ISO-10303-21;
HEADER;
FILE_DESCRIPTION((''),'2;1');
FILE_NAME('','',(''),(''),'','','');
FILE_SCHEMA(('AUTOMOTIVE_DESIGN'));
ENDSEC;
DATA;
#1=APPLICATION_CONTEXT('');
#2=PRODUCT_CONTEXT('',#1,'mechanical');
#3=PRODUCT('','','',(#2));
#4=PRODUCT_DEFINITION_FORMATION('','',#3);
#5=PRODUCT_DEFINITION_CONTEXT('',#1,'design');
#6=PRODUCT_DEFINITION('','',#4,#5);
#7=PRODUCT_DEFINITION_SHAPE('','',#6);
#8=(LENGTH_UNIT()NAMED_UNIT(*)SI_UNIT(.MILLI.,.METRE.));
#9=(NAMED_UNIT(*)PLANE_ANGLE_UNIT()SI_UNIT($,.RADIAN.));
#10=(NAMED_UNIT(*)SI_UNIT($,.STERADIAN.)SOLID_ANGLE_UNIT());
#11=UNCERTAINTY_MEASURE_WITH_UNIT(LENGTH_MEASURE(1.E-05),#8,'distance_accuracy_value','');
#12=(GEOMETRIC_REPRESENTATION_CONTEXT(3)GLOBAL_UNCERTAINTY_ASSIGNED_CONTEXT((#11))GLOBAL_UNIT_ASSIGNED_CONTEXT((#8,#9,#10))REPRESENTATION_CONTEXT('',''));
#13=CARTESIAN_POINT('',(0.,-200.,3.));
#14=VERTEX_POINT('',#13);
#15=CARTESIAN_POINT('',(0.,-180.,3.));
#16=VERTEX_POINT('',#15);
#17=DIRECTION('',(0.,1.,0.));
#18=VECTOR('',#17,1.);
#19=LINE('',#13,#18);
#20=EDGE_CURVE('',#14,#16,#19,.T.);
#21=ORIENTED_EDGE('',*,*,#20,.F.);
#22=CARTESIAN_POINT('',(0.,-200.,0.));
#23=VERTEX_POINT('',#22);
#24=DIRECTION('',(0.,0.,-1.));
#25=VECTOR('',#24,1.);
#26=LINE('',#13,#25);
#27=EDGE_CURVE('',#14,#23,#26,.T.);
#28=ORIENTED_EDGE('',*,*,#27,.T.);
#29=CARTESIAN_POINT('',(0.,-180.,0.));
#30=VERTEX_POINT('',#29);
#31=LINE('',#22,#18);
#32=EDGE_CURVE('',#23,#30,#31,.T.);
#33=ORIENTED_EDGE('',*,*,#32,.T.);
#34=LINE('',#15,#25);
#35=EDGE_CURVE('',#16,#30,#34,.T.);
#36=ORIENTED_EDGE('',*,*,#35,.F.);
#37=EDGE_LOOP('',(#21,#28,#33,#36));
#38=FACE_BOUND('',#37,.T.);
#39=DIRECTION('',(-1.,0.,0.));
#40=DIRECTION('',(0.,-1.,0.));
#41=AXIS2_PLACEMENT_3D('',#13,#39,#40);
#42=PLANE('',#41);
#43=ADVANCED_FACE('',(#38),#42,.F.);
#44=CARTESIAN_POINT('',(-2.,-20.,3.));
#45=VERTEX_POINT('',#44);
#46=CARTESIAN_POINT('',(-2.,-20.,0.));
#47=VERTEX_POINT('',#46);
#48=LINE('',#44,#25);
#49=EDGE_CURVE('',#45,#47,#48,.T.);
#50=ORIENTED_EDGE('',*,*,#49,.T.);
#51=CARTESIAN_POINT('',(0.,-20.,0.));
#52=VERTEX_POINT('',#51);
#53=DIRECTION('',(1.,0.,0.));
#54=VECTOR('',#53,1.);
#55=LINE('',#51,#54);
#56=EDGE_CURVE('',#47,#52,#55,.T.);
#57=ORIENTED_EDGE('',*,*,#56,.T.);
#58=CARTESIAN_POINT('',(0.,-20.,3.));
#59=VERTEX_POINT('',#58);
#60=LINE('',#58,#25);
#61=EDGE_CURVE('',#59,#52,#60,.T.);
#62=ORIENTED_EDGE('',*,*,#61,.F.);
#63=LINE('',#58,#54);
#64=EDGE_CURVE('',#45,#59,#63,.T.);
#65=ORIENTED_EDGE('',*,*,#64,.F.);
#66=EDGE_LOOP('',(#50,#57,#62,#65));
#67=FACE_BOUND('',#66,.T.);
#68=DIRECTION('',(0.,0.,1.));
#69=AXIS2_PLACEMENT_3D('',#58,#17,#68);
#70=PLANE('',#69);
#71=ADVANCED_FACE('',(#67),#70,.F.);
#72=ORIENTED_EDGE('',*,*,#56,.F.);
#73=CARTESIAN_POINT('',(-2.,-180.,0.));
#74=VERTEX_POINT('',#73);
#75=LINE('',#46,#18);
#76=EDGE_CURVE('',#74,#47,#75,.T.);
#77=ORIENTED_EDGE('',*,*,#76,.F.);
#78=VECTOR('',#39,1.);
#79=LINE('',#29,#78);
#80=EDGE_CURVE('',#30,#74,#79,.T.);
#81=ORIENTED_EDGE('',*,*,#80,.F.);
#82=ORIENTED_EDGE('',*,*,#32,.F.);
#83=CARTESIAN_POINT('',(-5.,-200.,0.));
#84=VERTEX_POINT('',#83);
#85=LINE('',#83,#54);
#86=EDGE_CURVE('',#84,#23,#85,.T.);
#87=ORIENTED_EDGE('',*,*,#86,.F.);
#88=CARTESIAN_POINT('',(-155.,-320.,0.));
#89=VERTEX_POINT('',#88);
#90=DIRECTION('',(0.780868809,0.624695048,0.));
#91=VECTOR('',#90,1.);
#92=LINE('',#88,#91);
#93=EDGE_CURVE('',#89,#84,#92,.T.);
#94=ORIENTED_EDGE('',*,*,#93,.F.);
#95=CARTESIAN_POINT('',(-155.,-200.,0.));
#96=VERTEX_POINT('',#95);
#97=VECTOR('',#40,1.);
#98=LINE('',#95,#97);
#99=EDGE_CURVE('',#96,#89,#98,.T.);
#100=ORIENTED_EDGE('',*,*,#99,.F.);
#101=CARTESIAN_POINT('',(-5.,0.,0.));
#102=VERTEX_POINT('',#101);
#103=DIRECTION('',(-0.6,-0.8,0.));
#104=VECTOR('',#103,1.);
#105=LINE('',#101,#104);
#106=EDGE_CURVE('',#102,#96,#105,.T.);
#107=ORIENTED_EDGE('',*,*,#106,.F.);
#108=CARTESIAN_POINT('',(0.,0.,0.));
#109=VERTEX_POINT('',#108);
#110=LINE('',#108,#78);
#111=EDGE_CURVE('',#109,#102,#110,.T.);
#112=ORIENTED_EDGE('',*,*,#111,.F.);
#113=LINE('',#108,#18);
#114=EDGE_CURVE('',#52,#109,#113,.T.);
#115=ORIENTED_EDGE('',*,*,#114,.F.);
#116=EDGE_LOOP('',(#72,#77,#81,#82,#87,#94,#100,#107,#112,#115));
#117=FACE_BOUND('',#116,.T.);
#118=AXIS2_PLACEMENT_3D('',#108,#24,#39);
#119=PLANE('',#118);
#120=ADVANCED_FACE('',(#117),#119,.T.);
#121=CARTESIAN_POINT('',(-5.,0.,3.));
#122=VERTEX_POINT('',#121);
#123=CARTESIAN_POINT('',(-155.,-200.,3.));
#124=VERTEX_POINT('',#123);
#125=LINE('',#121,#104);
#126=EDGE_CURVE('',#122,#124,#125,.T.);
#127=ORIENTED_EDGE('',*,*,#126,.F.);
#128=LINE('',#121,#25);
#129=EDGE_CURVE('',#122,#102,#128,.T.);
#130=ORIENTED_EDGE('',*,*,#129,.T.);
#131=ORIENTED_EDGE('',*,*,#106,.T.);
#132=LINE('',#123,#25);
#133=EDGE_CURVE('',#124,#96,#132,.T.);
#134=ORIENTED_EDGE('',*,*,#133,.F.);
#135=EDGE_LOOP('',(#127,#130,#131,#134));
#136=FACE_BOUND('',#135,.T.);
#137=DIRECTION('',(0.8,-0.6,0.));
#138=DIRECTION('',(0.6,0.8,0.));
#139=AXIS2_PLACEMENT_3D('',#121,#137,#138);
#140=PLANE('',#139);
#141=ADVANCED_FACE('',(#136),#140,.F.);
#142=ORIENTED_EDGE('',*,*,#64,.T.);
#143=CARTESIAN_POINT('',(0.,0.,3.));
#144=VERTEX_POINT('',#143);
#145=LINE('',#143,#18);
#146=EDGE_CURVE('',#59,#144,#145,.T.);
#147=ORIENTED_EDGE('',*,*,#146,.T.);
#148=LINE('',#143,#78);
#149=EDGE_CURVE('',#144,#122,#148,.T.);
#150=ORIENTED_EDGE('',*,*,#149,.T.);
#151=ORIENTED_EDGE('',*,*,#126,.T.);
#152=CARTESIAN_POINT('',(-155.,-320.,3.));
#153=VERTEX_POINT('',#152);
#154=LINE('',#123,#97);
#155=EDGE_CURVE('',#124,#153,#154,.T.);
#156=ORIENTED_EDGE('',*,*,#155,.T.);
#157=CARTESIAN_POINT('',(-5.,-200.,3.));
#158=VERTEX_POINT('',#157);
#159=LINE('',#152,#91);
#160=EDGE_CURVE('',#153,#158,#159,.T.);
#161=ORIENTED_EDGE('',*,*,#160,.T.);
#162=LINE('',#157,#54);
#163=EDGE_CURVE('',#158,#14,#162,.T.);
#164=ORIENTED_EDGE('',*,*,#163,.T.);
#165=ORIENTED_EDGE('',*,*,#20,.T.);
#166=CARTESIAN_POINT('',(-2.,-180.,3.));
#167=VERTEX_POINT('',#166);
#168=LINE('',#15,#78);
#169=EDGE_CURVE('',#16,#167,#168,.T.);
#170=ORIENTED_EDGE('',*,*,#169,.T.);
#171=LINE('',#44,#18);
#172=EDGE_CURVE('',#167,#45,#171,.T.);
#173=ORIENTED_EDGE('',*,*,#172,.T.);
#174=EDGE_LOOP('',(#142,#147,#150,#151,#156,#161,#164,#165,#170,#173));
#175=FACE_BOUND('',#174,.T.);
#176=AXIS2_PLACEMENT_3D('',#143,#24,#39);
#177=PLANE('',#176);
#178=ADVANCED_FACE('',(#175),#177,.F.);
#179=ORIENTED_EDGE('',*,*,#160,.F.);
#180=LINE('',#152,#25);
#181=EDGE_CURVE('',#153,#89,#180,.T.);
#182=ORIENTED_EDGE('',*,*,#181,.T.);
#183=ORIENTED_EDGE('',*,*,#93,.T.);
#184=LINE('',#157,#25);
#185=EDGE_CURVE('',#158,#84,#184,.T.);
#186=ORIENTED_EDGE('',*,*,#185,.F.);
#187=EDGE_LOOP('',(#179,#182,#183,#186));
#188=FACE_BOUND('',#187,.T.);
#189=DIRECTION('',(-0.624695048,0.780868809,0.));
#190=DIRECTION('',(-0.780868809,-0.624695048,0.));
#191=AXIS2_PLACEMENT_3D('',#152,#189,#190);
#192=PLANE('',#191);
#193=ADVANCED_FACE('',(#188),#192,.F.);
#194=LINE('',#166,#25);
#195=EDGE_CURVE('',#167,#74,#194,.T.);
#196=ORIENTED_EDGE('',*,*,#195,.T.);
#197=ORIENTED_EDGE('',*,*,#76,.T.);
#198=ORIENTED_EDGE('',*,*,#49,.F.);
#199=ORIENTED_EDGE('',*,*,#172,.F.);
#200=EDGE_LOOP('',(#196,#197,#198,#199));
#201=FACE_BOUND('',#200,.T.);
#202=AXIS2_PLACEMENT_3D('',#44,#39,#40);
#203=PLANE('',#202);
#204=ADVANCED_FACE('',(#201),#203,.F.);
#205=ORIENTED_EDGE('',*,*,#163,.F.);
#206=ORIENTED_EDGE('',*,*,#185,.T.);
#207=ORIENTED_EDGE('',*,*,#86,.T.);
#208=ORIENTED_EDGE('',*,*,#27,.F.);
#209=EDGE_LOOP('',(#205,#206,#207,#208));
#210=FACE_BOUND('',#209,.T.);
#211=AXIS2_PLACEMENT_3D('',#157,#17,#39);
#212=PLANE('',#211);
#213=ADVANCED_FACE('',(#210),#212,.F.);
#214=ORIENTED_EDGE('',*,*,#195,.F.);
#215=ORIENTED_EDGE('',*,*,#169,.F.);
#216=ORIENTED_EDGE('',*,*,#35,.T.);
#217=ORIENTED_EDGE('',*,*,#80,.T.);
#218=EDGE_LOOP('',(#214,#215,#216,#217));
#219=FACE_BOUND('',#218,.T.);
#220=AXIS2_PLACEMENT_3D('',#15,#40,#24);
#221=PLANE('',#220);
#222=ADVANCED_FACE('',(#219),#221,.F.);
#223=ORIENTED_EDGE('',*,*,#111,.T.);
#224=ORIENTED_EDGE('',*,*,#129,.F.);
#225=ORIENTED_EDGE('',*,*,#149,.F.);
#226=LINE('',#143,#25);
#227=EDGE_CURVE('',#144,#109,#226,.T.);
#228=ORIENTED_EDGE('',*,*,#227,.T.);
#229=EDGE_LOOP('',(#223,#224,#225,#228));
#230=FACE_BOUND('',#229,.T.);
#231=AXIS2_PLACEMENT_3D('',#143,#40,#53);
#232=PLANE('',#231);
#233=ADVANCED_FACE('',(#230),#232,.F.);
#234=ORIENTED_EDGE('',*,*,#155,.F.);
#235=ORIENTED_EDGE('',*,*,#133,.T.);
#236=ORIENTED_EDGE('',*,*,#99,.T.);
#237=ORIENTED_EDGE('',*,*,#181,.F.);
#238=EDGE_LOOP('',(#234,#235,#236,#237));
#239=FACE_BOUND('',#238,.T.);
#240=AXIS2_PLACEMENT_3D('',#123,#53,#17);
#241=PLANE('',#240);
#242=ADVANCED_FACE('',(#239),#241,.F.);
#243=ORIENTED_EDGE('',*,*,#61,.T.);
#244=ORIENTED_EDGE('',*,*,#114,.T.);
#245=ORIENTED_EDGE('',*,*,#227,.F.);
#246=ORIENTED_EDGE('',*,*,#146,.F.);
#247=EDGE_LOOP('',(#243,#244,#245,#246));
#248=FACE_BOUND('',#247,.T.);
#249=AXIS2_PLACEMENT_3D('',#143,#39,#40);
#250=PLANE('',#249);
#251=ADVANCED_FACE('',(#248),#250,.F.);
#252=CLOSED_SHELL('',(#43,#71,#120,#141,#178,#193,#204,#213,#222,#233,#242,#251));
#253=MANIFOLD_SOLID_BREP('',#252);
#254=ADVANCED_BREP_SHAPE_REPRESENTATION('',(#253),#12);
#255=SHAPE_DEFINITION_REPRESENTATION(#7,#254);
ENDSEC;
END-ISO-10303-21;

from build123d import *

# Parameters (mm, degrees)
BOSS_EXTRU_1_DEPTH = 3


with BuildPart() as part:
    # Esquisse1 → Boss.-Extru.1 (new body)
    with BuildSketch(Plane.XY):
        Polygon((0, 0), (-5, 0), (-155, -200), (-155, -320), (-5, -200), (0, -200), (0, -180), (-2, -180), (-2, -20), (0, -20), align=None)
    extrude(amount=BOSS_EXTRU_1_DEPTH)


solid = part.part
